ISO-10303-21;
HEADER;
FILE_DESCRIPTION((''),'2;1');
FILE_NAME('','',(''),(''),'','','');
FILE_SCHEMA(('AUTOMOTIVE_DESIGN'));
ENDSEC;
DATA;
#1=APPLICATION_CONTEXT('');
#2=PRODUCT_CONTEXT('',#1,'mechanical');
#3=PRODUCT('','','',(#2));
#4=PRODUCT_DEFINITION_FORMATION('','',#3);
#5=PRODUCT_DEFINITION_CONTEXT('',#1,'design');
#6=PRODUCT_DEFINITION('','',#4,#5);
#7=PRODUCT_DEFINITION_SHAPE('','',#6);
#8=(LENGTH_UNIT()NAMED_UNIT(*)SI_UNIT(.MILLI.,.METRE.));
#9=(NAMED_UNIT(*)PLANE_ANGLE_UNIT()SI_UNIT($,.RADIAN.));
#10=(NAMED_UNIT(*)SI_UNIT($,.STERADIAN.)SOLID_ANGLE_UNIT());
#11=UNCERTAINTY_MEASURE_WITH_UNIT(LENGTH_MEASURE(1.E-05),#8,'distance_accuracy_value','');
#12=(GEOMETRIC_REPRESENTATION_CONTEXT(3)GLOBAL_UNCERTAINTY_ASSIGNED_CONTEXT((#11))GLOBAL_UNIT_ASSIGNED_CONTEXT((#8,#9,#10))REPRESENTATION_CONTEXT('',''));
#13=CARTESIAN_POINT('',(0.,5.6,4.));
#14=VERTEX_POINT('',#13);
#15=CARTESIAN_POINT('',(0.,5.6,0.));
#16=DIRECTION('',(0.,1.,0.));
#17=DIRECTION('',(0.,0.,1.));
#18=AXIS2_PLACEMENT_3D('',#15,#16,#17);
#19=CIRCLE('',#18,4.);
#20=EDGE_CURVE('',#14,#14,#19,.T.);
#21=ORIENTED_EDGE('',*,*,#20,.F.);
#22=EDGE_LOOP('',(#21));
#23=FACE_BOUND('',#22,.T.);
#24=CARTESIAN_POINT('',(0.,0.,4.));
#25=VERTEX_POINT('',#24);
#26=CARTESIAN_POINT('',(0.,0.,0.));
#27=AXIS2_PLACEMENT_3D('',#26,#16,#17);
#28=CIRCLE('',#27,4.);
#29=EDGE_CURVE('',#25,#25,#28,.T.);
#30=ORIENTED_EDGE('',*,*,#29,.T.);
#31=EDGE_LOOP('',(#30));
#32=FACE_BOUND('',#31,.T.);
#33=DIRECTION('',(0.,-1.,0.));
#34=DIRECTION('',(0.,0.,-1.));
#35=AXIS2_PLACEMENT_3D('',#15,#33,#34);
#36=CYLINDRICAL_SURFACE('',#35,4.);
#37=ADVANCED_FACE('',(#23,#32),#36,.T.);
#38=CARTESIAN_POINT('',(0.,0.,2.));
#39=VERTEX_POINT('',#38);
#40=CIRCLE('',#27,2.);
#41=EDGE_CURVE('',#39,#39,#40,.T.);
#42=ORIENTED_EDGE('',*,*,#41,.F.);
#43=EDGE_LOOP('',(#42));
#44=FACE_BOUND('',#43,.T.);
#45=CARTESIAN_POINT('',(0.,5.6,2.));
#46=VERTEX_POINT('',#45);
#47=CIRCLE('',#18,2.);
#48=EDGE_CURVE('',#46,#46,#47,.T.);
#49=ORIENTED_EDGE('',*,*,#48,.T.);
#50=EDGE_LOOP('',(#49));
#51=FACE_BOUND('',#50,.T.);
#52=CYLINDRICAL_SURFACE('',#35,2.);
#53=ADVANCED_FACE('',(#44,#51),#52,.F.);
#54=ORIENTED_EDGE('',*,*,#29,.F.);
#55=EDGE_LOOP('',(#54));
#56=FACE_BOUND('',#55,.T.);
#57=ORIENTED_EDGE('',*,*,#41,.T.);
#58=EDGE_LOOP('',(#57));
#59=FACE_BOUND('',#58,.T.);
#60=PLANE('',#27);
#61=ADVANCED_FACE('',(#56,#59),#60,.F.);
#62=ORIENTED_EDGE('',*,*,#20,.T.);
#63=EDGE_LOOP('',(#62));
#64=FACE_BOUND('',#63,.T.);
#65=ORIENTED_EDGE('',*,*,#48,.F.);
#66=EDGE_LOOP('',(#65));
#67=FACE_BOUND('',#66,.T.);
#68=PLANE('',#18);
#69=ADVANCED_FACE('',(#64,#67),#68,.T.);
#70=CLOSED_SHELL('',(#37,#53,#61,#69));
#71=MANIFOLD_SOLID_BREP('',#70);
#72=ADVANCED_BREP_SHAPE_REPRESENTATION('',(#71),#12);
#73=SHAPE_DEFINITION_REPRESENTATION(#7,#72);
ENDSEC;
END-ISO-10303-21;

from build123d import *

# Parameters (mm, degrees)
SKETCH9_R           = 4
SKETCH9_R_2         = 2
BOSS_EXTRUDE6_DEPTH = 5.6


with BuildPart() as part:
    # Sketch9 → Boss-Extrude6 (new body)
    with BuildSketch(Plane(origin=(0, 0, 0), x_dir=(1, 0, 0), z_dir=(0, 1, 0))):
        Circle(SKETCH9_R)
        Circle(SKETCH9_R_2, mode=Mode.SUBTRACT)
    extrude(amount=BOSS_EXTRUDE6_DEPTH)


solid = part.part
